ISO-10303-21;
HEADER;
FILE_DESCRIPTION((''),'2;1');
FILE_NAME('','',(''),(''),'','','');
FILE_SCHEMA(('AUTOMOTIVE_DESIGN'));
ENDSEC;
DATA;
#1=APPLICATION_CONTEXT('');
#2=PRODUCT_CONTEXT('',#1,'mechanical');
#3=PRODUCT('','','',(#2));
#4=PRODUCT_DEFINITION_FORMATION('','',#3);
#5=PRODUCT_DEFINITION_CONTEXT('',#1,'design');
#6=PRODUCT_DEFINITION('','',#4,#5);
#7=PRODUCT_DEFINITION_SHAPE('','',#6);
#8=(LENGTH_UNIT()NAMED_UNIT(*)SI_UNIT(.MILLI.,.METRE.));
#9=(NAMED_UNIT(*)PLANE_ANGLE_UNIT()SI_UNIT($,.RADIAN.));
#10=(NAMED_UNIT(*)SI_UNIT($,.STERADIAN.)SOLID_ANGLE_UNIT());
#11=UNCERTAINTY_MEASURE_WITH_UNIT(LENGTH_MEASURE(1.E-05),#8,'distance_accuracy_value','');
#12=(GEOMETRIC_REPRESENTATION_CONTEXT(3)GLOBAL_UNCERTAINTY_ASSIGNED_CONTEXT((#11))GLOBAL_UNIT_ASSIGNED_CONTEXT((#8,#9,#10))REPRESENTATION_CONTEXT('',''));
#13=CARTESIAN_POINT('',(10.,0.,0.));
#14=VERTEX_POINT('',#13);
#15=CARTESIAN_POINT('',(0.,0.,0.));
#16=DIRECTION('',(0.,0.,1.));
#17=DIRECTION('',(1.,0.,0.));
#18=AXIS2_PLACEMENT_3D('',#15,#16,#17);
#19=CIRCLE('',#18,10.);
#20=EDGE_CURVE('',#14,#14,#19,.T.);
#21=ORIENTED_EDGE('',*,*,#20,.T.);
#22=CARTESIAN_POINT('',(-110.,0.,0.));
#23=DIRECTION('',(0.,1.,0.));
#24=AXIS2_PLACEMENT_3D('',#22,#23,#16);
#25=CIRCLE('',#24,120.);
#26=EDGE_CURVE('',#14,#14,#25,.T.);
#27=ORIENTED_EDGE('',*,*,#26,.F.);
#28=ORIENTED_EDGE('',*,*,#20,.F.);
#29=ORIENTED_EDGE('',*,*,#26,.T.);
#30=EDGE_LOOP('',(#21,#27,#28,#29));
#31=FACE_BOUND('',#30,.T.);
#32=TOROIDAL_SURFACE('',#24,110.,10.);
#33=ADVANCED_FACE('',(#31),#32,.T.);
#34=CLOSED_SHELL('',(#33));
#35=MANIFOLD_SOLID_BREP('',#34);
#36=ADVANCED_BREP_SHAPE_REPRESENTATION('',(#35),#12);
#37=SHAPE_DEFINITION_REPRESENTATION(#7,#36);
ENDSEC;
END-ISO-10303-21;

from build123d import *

# Parameters (mm, degrees)
SKETCH_2_R = 10


with BuildPart() as part:
    # 扫描1: sweep along a path in 草图4
    with BuildLine(Plane(origin=(0, 0, 0), x_dir=(1, 0, 0), z_dir=(0, 1, 0))) as sweep_1_path:
        CenterArc((-110, 0), 110, 0, 360)
    # 草图2 → 扫描1 (sweep)
    with BuildSketch(Plane.XY):
        Circle(SKETCH_2_R)
    sweep(path=sweep_1_path.line)


solid = part.part
